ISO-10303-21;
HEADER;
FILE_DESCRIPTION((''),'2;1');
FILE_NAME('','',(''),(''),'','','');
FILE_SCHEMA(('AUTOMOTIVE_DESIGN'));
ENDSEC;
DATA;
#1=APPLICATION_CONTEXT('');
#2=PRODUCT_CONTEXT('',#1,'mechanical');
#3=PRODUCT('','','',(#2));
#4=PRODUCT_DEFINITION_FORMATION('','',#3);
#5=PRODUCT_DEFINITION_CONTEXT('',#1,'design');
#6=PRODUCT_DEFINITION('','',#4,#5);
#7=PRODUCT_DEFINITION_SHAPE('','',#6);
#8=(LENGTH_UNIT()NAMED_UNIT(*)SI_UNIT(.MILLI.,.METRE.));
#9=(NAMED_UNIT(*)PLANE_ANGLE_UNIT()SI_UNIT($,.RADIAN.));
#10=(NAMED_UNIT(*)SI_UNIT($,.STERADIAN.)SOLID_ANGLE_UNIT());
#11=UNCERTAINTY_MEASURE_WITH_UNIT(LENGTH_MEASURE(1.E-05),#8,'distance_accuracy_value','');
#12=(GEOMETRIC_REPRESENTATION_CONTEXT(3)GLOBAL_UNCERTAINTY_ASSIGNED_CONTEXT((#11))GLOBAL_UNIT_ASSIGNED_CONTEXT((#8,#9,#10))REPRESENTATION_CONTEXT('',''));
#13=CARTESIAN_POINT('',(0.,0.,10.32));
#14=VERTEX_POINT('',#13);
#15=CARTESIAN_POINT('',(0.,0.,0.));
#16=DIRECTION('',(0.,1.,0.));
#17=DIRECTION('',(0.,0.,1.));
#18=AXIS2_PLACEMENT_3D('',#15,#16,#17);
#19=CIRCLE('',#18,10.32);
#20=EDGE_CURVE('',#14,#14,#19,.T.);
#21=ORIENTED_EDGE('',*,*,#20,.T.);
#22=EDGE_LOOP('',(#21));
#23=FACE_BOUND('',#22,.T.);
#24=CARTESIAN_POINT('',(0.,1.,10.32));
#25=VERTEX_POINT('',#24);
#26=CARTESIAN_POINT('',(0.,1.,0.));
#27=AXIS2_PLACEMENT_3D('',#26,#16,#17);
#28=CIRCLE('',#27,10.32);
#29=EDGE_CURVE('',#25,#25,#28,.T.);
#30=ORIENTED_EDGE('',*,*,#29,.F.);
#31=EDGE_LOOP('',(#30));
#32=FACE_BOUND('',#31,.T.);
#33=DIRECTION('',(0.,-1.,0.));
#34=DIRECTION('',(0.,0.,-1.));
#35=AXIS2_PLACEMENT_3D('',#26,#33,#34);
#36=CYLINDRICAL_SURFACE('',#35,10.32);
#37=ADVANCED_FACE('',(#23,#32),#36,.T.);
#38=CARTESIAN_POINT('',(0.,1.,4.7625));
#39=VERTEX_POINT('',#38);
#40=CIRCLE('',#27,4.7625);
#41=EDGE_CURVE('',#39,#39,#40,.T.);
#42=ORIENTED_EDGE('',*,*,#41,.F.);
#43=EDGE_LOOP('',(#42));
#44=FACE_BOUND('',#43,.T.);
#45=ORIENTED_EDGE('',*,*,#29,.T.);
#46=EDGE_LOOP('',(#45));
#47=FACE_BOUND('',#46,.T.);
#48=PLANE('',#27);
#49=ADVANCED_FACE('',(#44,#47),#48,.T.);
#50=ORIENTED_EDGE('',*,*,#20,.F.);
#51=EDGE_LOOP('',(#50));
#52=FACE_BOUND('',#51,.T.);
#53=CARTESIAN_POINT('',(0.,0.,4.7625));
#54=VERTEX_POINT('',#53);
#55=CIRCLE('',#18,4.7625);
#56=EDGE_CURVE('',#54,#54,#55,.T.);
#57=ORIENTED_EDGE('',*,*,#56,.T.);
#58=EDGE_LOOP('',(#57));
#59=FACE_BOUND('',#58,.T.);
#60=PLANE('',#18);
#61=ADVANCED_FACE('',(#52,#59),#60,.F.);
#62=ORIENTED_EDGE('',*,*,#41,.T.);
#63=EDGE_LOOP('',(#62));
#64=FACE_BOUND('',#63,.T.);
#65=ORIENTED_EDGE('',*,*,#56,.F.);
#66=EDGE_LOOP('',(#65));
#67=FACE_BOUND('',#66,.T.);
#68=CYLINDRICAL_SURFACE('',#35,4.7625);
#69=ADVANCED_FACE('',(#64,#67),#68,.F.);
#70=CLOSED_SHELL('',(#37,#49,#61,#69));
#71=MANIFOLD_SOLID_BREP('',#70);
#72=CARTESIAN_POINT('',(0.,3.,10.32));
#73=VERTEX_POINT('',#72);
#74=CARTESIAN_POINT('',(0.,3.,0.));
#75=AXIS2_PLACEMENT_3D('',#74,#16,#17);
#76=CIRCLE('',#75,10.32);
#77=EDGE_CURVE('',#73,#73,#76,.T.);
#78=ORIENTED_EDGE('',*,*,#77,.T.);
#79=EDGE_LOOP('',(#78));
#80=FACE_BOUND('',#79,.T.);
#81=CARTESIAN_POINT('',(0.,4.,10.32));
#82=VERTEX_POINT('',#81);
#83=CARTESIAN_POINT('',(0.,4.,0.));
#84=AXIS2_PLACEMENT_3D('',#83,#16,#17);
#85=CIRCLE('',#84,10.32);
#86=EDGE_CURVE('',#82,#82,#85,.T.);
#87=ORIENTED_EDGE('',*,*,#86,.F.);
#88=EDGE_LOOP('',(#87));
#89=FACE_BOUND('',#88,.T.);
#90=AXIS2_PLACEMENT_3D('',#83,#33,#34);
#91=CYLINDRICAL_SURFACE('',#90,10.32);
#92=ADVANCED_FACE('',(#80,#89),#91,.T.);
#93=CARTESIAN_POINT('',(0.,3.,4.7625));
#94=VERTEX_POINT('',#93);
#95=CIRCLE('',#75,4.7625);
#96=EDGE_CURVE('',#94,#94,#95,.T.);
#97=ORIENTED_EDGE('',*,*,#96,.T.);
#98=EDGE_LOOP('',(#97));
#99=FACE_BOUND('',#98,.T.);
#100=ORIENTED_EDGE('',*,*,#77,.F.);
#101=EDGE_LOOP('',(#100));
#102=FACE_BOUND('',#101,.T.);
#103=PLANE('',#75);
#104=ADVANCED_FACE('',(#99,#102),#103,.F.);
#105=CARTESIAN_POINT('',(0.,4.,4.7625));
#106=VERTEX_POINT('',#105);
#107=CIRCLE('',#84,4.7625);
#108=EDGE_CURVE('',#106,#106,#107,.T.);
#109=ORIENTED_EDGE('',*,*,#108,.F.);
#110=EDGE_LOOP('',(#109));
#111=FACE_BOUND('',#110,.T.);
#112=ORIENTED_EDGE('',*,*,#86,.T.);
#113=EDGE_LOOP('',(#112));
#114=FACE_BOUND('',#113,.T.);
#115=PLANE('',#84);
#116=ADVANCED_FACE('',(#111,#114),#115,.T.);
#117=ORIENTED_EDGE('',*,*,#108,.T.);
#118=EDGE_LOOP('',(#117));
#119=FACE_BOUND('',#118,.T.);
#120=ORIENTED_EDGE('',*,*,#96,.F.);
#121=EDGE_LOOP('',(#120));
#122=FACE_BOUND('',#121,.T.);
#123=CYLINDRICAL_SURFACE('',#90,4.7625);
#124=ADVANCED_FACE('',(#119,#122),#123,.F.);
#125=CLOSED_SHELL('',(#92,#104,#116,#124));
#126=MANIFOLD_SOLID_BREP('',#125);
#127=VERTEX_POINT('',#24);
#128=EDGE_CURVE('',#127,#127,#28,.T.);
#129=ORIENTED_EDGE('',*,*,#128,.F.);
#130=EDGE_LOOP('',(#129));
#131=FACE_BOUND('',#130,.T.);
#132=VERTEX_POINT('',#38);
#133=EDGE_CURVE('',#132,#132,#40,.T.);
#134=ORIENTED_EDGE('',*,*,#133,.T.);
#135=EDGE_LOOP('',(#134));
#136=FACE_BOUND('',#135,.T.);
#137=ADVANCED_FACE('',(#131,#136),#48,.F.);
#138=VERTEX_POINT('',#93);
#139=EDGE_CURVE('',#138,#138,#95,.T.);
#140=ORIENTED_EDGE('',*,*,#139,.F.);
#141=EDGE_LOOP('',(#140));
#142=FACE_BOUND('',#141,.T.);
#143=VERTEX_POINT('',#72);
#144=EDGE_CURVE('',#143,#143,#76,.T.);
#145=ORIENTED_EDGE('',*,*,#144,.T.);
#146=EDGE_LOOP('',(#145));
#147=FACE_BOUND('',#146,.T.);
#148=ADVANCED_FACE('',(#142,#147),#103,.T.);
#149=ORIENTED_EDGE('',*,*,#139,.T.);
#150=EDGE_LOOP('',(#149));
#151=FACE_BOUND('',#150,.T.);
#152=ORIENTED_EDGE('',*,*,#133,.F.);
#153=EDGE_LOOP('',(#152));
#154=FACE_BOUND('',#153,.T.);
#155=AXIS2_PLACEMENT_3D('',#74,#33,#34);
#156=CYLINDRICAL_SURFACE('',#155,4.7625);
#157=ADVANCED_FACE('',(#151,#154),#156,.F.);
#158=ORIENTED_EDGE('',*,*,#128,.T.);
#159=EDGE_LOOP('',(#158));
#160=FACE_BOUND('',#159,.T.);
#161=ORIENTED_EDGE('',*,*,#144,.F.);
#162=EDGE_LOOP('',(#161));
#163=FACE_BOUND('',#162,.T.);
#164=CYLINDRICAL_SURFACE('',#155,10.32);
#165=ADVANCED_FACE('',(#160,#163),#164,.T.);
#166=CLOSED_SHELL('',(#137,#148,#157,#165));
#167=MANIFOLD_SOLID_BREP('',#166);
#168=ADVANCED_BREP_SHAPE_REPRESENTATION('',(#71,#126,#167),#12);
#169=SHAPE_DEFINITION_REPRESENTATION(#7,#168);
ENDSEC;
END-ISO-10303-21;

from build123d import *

# Parameters (mm, degrees)
SKETCH1_R           = 10.32
SKETCH1_R_2         = 4.7625
BOSS_EXTRUDE1_DEPTH = 1
SKETCH2_R           = 10.32
SKETCH2_R_2         = 4.7625
BOSS_EXTRUDE2_DEPTH = 2
SKETCH3_R           = 10.32
SKETCH3_R_2         = 4.7625
BOSS_EXTRUDE3_DEPTH = 1


with BuildPart() as part:
    # Sketch1 → Boss-Extrude1 (new body)
    with BuildSketch(Plane(origin=(0, 0, 0), x_dir=(1, 0, 0), z_dir=(0, 1, 0))):
        Circle(SKETCH1_R)
        Circle(SKETCH1_R_2, mode=Mode.SUBTRACT)
    extrude(amount=BOSS_EXTRUDE1_DEPTH)


with BuildPart() as body_2:
    # Sketch2 → Boss-Extrude2 (new body)
    with BuildSketch(Plane(origin=(0, 1, 0), x_dir=(1, 0, 0), z_dir=(0, 1, 0))):
        Circle(SKETCH2_R)
        Circle(SKETCH2_R_2, mode=Mode.SUBTRACT)
    extrude(amount=BOSS_EXTRUDE2_DEPTH)


with BuildPart() as body_3:
    # Sketch3 → Boss-Extrude3 (new body)
    with BuildSketch(Plane(origin=(0, 3, 0), x_dir=(1, 0, 0), z_dir=(0, 1, 0))):
        Circle(SKETCH3_R)
        Circle(SKETCH3_R_2, mode=Mode.SUBTRACT)
    extrude(amount=BOSS_EXTRUDE3_DEPTH)


solid = Compound([part.part, body_2.part, body_3.part])
